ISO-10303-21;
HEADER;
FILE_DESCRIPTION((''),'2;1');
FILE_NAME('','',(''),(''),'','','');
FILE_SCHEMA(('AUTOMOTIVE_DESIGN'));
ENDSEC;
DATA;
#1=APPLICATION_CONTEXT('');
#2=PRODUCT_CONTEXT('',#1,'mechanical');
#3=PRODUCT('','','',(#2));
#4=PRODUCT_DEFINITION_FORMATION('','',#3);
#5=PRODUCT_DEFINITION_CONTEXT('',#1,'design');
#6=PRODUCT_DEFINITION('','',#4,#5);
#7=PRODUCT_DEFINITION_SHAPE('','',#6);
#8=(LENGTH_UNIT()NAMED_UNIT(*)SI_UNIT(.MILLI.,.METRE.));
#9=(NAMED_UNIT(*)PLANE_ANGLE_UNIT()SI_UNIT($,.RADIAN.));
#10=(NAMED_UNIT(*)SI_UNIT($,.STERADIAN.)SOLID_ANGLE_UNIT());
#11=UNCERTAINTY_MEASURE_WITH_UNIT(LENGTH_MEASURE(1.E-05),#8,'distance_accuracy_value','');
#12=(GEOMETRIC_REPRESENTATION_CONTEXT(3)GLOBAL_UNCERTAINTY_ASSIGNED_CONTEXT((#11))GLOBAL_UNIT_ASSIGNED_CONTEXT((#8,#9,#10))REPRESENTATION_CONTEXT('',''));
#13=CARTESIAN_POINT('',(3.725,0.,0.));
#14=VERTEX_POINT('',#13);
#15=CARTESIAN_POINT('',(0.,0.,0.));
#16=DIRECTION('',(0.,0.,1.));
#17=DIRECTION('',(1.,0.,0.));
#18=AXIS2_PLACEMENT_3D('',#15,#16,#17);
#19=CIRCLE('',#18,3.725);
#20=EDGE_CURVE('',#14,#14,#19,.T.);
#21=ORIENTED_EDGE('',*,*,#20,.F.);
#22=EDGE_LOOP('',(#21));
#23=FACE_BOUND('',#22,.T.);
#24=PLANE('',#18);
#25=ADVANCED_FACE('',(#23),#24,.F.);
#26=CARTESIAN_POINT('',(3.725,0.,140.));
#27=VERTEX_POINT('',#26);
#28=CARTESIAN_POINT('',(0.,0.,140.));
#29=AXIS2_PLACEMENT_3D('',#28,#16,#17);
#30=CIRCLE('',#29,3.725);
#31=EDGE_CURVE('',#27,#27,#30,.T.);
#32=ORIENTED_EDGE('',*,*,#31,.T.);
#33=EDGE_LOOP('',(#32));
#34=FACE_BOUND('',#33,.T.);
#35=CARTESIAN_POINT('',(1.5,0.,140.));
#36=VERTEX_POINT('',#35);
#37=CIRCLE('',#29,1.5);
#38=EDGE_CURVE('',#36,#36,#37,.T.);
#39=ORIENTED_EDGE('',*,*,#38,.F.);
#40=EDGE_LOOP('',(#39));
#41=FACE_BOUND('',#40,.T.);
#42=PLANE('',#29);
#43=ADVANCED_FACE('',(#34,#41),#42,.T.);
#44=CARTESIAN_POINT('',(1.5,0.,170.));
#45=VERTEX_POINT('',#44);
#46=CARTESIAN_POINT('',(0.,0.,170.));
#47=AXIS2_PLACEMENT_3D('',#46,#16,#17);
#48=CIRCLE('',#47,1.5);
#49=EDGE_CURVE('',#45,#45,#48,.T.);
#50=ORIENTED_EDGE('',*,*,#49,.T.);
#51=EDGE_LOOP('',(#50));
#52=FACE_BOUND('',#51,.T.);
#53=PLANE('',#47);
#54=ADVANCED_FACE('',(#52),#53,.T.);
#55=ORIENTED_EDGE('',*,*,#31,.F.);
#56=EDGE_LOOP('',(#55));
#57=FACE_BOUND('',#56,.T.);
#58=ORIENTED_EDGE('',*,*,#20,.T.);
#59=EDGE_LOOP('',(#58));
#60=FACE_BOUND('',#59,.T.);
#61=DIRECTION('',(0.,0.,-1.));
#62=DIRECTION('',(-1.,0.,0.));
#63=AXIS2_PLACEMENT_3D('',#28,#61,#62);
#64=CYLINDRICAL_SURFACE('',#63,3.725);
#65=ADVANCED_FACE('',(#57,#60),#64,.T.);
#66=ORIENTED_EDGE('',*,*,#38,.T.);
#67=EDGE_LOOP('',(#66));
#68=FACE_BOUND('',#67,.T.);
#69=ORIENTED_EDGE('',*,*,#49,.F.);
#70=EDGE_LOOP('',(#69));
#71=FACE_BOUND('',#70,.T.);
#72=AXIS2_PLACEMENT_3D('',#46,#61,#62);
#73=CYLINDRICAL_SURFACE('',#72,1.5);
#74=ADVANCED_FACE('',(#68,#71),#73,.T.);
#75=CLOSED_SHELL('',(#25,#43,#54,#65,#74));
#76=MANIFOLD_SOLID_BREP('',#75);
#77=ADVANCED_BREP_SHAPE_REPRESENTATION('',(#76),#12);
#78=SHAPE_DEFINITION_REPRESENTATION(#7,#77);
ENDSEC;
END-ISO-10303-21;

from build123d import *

# Parameters (mm, degrees)
SKETCH1_R           = 3.725
BOSS_EXTRUDE1_DEPTH = 140
SKETCH2_R           = 1.5
BOSS_EXTRUDE2_DEPTH = 30


with BuildPart() as part:
    # Sketch1 → Boss-Extrude1 (new body)
    with BuildSketch(Plane.XY):
        Circle(SKETCH1_R)
    extrude(amount=BOSS_EXTRUDE1_DEPTH)

    # Sketch2 → Boss-Extrude2 (add)
    with BuildSketch(Plane.XY.offset(140)):
        Circle(SKETCH2_R)
    extrude(amount=BOSS_EXTRUDE2_DEPTH)


solid = part.part
